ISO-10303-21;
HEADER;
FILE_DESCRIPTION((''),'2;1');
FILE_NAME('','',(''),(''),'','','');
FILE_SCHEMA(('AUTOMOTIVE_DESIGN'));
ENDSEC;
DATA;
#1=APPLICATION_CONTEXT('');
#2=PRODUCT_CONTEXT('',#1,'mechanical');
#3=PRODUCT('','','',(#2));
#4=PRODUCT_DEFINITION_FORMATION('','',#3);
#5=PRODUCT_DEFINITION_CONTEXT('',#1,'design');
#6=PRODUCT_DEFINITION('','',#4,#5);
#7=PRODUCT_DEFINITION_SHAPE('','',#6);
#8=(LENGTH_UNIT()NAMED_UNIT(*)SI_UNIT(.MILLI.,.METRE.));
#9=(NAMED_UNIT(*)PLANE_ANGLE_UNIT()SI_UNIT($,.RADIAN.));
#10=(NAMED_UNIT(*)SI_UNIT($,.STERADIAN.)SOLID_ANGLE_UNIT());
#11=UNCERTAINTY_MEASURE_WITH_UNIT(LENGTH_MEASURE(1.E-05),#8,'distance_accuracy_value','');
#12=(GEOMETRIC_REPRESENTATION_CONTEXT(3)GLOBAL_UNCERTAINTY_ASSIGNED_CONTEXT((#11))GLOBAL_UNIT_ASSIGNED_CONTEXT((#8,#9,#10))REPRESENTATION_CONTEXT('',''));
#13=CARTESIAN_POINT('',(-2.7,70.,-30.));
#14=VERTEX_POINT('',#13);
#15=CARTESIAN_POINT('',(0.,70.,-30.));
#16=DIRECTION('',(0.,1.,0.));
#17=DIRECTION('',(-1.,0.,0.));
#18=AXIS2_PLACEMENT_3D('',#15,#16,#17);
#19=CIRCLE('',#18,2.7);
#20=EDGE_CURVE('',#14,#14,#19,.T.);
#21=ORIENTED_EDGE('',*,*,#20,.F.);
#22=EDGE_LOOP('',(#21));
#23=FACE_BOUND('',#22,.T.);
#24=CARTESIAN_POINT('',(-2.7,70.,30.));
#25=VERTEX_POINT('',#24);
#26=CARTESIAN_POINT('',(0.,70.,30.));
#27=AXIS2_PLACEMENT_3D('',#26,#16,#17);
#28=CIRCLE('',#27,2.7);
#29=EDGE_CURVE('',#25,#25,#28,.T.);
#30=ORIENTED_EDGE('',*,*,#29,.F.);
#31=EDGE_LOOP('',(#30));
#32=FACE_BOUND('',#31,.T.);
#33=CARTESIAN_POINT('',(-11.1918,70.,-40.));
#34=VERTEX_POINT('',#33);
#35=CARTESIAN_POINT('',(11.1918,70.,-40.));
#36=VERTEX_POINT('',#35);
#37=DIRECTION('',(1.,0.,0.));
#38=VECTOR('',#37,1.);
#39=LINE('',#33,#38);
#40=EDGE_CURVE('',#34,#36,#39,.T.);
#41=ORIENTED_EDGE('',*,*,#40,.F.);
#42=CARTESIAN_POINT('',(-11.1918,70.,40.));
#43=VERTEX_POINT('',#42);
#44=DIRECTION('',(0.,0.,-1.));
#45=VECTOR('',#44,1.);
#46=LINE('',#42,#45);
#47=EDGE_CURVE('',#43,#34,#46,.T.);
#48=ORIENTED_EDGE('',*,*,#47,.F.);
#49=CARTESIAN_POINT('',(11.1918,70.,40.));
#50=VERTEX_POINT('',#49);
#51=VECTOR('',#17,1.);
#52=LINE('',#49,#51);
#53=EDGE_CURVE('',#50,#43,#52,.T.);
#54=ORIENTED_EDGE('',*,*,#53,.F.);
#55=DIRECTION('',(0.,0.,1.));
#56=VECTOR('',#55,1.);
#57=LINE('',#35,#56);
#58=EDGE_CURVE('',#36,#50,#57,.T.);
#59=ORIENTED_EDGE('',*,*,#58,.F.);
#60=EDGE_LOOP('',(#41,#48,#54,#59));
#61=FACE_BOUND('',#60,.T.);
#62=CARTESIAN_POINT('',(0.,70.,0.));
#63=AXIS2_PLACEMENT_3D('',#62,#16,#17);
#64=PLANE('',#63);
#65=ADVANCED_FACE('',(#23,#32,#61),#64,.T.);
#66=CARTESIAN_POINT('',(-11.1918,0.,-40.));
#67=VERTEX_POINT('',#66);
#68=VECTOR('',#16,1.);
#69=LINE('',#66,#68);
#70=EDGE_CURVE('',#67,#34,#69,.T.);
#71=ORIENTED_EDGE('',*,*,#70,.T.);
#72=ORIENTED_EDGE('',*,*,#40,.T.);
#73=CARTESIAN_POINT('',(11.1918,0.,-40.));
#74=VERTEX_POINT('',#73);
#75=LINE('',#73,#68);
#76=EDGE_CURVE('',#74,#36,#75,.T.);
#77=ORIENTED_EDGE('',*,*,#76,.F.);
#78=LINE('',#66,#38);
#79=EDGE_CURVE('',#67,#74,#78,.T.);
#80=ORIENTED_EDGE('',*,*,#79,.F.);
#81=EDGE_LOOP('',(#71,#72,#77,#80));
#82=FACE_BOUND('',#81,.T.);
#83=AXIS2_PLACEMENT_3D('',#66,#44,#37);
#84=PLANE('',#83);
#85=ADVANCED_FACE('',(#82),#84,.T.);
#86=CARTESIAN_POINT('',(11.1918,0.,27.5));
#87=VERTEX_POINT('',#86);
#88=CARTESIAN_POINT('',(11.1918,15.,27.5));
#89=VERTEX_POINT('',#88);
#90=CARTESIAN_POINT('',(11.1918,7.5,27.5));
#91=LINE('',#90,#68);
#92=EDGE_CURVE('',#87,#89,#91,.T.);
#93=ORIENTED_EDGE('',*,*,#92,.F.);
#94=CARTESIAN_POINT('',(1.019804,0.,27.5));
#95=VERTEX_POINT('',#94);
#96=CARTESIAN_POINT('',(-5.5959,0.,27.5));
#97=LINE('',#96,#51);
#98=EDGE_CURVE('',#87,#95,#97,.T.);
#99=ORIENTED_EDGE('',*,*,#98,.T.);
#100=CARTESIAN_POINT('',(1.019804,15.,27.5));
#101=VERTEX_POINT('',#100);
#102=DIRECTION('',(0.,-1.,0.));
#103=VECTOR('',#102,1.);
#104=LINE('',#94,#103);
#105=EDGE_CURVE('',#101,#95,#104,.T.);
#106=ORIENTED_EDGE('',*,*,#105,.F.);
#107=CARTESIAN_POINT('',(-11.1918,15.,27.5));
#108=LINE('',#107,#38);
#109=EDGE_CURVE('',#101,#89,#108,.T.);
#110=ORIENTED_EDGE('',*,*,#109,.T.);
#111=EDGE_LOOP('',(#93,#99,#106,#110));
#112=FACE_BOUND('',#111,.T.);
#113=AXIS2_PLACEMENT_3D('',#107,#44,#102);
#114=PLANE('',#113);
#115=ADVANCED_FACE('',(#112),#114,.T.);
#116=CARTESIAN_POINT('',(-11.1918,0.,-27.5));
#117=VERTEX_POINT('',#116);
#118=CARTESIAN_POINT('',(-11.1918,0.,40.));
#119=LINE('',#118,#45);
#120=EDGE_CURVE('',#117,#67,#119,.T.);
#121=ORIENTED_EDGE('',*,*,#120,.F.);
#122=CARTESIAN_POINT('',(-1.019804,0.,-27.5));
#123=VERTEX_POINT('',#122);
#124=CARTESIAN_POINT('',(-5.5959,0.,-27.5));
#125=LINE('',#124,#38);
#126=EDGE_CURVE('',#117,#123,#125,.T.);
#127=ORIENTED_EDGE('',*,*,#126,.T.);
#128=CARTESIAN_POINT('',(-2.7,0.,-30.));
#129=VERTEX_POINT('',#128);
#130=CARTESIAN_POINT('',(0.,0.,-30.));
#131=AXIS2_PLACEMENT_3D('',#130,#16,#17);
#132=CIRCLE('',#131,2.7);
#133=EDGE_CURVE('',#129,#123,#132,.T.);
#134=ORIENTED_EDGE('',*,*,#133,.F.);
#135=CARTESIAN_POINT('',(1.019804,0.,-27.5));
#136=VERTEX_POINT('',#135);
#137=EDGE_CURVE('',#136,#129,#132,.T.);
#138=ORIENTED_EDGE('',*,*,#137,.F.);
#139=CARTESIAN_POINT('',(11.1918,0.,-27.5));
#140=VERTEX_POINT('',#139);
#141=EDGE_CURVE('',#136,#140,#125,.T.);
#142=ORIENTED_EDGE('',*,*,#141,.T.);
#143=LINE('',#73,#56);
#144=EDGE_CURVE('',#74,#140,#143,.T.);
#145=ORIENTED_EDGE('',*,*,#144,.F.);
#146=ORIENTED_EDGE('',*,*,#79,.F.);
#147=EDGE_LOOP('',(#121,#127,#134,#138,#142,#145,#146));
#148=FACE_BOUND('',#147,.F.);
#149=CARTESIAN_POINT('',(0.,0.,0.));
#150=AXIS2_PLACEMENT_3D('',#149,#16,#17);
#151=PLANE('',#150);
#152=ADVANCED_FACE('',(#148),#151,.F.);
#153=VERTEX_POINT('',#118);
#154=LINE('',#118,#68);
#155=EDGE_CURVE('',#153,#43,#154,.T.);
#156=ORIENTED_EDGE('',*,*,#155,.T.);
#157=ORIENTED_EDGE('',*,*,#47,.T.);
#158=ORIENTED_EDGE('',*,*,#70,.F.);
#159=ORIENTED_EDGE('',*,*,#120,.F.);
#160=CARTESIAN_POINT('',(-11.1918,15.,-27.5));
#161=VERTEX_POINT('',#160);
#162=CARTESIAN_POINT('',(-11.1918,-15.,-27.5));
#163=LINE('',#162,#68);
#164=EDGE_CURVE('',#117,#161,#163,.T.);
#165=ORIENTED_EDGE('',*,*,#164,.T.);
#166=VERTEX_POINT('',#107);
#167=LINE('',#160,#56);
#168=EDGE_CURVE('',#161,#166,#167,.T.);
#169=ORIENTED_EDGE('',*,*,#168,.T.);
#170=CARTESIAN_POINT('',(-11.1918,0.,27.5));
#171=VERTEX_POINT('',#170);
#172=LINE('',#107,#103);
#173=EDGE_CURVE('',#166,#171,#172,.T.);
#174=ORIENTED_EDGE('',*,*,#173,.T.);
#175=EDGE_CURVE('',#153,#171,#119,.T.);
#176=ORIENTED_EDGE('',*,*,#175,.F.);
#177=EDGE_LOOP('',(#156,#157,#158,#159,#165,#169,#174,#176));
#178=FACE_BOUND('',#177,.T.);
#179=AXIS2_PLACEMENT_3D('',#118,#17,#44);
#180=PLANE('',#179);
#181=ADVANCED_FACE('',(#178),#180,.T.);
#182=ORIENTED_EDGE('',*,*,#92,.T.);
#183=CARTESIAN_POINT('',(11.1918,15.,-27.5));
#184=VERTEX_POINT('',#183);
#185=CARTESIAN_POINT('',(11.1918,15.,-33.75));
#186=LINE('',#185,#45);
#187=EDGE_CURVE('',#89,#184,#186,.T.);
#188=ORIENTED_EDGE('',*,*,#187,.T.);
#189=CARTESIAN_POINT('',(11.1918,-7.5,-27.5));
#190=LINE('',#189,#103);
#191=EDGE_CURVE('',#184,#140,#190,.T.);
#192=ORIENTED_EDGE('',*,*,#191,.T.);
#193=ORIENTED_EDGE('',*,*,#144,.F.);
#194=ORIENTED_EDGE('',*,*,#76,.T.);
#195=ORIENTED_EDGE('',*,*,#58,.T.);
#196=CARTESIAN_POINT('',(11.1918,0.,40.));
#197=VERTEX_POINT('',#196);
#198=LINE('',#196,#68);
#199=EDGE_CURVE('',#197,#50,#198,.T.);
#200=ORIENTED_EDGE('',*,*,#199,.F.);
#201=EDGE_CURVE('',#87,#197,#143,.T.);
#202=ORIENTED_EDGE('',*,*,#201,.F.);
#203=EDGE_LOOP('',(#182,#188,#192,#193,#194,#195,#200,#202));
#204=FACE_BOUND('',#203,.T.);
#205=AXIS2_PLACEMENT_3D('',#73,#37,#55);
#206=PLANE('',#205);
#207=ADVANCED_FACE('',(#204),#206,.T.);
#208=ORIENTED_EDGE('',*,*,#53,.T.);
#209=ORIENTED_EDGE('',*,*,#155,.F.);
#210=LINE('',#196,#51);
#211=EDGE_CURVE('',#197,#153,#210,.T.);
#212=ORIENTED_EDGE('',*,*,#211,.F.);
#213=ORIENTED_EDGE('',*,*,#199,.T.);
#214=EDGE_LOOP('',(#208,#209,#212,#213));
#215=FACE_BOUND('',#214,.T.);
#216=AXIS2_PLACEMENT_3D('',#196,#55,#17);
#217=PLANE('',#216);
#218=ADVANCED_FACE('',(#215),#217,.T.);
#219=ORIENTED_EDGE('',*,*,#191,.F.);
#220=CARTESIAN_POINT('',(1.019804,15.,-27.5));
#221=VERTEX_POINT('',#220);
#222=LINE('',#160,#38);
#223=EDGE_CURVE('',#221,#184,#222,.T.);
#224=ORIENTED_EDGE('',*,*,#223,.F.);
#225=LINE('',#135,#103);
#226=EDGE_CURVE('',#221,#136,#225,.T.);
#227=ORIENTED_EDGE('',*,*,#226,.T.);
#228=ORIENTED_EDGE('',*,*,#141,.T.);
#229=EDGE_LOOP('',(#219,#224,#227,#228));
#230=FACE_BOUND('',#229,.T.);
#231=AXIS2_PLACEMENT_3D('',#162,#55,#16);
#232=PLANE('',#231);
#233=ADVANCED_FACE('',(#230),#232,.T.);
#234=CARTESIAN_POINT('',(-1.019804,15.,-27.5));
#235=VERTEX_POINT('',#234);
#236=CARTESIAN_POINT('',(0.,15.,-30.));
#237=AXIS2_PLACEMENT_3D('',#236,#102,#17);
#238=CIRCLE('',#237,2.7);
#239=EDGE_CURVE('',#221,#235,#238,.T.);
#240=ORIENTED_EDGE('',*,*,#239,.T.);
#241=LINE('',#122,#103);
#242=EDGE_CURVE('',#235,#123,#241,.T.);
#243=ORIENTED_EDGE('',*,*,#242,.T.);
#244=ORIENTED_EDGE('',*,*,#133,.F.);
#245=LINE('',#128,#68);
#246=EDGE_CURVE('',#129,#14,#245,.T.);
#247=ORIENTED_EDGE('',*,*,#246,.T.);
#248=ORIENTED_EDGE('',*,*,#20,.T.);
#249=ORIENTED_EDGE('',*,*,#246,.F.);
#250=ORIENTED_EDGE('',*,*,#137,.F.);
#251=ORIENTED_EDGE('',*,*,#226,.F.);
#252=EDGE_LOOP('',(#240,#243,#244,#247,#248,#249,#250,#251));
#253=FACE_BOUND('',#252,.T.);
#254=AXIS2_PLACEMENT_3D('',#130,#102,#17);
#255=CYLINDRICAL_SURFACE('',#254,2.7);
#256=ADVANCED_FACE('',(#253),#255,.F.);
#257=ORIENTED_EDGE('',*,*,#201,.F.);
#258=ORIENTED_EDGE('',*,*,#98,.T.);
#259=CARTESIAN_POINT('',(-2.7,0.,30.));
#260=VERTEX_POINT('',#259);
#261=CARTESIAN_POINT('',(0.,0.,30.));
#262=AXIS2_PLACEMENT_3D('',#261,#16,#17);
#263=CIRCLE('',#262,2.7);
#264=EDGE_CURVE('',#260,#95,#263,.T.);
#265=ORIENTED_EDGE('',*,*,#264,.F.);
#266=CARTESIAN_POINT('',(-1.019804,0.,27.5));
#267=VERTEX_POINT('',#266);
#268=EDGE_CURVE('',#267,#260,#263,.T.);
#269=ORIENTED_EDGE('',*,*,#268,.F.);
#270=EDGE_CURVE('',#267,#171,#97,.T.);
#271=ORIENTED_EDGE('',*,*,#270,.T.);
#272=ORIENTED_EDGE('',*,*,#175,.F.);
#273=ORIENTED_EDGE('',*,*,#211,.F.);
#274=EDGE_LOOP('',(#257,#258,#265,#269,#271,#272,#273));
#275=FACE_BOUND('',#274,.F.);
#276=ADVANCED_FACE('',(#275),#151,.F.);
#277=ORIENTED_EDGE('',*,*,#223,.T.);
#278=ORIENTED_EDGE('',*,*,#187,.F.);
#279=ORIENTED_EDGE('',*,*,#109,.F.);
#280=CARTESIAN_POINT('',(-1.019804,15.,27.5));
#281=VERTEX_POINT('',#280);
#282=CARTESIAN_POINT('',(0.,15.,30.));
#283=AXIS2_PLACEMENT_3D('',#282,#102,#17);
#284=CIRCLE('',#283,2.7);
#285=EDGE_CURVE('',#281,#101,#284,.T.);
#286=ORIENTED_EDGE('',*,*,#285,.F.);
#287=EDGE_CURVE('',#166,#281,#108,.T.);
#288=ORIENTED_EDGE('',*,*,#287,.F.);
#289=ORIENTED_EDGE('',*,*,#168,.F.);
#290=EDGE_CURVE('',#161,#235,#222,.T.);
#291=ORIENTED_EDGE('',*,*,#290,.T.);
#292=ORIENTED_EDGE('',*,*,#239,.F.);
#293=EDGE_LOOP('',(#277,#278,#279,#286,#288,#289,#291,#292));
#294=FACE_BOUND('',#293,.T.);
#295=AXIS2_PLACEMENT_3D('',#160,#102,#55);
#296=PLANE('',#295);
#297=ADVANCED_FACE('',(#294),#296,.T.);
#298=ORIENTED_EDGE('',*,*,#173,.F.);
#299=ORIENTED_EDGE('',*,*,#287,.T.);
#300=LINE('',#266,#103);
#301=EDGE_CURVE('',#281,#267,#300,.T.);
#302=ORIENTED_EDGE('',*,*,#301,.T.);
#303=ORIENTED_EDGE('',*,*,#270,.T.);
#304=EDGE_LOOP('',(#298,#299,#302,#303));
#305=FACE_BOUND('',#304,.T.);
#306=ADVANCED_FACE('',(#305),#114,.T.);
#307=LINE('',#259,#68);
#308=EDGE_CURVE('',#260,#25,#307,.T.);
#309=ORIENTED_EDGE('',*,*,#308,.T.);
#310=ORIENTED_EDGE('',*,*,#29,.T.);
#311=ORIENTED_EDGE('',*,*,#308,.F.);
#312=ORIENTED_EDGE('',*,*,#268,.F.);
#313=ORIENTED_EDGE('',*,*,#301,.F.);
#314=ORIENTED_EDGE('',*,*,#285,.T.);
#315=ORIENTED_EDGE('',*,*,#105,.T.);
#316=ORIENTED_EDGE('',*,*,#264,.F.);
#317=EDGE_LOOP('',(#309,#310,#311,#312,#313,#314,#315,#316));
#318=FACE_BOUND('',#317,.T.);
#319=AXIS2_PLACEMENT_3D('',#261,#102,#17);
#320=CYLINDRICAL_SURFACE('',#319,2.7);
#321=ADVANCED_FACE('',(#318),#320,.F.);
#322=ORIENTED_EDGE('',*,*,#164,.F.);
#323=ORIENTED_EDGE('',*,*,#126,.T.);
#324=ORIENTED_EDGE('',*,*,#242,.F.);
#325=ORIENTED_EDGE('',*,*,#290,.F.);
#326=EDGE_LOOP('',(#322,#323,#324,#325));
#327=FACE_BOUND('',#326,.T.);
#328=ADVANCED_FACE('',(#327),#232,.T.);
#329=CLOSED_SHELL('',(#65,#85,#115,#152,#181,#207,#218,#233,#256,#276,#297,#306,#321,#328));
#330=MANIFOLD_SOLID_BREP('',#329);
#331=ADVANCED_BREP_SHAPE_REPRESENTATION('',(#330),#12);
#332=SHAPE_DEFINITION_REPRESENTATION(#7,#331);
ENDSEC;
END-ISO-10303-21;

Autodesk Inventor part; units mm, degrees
ref_plane "YZ Plane" through (0, 0, 0) normal (1, 0, 0) x (0, 1, 0)
ref_plane "XZ Plane" through (0, 0, 0) normal (0, 1, 0) x (-1, 0, 0)
ref_plane "XY Plane" through (0, 0, 0) normal (0, 0, 1) x (1, 0, 0)
sketch "Boceto1" plane through (0, 0, 0) normal (0, 1, 0) x (-1, 0, 0)
  line L0 (-11.1918, 40) -> (11.1918, 40)
  line L1 (11.1918, 40) -> (11.1918, -40)
  line L2 (11.1918, -40) -> (-11.1918, -40)
  line L3 (-11.1918, -40) -> (-11.1918, 40)
  line L4 (-11.1918, 40) -> (11.1918, -40) construction
  line L5 (11.1918, 40) -> (-11.1918, -40) construction
  circle A0 centre (0, 30) radius 2.7
  circle A1 centre (0, -30) radius 2.7
  point P0 (0, 0)
  dimension "d0" = 5.4
  dimension "d1" = 80
  dimension "d2" = 10
  dimension "d3" = 10
extrude "Extrusión1" add sketch "Boceto1" along normal blind 70
sketch "Boceto2" plane through (-11.1918, 0, -40) normal (-1, 0, 0) x (0, 0, 1)
  line L0 (67.5, -15) -> (12.5, -15)
  line L1 (12.5, -15) -> (12.5, 15)
  line L2 (12.5, 15) -> (67.5, 15)
  line L3 (67.5, 15) -> (67.5, -15)
  line L4 (67.5, -15) -> (12.5, 15) construction
  line L5 (12.5, -15) -> (67.5, 15) construction
  point P0 (40, 0)
  dimension "d6" = 55
  dimension "d7" = 30
extrude "Extrusión2" cut sketch "Boceto2" against normal through all
properties part number "LowerJawSupport"
